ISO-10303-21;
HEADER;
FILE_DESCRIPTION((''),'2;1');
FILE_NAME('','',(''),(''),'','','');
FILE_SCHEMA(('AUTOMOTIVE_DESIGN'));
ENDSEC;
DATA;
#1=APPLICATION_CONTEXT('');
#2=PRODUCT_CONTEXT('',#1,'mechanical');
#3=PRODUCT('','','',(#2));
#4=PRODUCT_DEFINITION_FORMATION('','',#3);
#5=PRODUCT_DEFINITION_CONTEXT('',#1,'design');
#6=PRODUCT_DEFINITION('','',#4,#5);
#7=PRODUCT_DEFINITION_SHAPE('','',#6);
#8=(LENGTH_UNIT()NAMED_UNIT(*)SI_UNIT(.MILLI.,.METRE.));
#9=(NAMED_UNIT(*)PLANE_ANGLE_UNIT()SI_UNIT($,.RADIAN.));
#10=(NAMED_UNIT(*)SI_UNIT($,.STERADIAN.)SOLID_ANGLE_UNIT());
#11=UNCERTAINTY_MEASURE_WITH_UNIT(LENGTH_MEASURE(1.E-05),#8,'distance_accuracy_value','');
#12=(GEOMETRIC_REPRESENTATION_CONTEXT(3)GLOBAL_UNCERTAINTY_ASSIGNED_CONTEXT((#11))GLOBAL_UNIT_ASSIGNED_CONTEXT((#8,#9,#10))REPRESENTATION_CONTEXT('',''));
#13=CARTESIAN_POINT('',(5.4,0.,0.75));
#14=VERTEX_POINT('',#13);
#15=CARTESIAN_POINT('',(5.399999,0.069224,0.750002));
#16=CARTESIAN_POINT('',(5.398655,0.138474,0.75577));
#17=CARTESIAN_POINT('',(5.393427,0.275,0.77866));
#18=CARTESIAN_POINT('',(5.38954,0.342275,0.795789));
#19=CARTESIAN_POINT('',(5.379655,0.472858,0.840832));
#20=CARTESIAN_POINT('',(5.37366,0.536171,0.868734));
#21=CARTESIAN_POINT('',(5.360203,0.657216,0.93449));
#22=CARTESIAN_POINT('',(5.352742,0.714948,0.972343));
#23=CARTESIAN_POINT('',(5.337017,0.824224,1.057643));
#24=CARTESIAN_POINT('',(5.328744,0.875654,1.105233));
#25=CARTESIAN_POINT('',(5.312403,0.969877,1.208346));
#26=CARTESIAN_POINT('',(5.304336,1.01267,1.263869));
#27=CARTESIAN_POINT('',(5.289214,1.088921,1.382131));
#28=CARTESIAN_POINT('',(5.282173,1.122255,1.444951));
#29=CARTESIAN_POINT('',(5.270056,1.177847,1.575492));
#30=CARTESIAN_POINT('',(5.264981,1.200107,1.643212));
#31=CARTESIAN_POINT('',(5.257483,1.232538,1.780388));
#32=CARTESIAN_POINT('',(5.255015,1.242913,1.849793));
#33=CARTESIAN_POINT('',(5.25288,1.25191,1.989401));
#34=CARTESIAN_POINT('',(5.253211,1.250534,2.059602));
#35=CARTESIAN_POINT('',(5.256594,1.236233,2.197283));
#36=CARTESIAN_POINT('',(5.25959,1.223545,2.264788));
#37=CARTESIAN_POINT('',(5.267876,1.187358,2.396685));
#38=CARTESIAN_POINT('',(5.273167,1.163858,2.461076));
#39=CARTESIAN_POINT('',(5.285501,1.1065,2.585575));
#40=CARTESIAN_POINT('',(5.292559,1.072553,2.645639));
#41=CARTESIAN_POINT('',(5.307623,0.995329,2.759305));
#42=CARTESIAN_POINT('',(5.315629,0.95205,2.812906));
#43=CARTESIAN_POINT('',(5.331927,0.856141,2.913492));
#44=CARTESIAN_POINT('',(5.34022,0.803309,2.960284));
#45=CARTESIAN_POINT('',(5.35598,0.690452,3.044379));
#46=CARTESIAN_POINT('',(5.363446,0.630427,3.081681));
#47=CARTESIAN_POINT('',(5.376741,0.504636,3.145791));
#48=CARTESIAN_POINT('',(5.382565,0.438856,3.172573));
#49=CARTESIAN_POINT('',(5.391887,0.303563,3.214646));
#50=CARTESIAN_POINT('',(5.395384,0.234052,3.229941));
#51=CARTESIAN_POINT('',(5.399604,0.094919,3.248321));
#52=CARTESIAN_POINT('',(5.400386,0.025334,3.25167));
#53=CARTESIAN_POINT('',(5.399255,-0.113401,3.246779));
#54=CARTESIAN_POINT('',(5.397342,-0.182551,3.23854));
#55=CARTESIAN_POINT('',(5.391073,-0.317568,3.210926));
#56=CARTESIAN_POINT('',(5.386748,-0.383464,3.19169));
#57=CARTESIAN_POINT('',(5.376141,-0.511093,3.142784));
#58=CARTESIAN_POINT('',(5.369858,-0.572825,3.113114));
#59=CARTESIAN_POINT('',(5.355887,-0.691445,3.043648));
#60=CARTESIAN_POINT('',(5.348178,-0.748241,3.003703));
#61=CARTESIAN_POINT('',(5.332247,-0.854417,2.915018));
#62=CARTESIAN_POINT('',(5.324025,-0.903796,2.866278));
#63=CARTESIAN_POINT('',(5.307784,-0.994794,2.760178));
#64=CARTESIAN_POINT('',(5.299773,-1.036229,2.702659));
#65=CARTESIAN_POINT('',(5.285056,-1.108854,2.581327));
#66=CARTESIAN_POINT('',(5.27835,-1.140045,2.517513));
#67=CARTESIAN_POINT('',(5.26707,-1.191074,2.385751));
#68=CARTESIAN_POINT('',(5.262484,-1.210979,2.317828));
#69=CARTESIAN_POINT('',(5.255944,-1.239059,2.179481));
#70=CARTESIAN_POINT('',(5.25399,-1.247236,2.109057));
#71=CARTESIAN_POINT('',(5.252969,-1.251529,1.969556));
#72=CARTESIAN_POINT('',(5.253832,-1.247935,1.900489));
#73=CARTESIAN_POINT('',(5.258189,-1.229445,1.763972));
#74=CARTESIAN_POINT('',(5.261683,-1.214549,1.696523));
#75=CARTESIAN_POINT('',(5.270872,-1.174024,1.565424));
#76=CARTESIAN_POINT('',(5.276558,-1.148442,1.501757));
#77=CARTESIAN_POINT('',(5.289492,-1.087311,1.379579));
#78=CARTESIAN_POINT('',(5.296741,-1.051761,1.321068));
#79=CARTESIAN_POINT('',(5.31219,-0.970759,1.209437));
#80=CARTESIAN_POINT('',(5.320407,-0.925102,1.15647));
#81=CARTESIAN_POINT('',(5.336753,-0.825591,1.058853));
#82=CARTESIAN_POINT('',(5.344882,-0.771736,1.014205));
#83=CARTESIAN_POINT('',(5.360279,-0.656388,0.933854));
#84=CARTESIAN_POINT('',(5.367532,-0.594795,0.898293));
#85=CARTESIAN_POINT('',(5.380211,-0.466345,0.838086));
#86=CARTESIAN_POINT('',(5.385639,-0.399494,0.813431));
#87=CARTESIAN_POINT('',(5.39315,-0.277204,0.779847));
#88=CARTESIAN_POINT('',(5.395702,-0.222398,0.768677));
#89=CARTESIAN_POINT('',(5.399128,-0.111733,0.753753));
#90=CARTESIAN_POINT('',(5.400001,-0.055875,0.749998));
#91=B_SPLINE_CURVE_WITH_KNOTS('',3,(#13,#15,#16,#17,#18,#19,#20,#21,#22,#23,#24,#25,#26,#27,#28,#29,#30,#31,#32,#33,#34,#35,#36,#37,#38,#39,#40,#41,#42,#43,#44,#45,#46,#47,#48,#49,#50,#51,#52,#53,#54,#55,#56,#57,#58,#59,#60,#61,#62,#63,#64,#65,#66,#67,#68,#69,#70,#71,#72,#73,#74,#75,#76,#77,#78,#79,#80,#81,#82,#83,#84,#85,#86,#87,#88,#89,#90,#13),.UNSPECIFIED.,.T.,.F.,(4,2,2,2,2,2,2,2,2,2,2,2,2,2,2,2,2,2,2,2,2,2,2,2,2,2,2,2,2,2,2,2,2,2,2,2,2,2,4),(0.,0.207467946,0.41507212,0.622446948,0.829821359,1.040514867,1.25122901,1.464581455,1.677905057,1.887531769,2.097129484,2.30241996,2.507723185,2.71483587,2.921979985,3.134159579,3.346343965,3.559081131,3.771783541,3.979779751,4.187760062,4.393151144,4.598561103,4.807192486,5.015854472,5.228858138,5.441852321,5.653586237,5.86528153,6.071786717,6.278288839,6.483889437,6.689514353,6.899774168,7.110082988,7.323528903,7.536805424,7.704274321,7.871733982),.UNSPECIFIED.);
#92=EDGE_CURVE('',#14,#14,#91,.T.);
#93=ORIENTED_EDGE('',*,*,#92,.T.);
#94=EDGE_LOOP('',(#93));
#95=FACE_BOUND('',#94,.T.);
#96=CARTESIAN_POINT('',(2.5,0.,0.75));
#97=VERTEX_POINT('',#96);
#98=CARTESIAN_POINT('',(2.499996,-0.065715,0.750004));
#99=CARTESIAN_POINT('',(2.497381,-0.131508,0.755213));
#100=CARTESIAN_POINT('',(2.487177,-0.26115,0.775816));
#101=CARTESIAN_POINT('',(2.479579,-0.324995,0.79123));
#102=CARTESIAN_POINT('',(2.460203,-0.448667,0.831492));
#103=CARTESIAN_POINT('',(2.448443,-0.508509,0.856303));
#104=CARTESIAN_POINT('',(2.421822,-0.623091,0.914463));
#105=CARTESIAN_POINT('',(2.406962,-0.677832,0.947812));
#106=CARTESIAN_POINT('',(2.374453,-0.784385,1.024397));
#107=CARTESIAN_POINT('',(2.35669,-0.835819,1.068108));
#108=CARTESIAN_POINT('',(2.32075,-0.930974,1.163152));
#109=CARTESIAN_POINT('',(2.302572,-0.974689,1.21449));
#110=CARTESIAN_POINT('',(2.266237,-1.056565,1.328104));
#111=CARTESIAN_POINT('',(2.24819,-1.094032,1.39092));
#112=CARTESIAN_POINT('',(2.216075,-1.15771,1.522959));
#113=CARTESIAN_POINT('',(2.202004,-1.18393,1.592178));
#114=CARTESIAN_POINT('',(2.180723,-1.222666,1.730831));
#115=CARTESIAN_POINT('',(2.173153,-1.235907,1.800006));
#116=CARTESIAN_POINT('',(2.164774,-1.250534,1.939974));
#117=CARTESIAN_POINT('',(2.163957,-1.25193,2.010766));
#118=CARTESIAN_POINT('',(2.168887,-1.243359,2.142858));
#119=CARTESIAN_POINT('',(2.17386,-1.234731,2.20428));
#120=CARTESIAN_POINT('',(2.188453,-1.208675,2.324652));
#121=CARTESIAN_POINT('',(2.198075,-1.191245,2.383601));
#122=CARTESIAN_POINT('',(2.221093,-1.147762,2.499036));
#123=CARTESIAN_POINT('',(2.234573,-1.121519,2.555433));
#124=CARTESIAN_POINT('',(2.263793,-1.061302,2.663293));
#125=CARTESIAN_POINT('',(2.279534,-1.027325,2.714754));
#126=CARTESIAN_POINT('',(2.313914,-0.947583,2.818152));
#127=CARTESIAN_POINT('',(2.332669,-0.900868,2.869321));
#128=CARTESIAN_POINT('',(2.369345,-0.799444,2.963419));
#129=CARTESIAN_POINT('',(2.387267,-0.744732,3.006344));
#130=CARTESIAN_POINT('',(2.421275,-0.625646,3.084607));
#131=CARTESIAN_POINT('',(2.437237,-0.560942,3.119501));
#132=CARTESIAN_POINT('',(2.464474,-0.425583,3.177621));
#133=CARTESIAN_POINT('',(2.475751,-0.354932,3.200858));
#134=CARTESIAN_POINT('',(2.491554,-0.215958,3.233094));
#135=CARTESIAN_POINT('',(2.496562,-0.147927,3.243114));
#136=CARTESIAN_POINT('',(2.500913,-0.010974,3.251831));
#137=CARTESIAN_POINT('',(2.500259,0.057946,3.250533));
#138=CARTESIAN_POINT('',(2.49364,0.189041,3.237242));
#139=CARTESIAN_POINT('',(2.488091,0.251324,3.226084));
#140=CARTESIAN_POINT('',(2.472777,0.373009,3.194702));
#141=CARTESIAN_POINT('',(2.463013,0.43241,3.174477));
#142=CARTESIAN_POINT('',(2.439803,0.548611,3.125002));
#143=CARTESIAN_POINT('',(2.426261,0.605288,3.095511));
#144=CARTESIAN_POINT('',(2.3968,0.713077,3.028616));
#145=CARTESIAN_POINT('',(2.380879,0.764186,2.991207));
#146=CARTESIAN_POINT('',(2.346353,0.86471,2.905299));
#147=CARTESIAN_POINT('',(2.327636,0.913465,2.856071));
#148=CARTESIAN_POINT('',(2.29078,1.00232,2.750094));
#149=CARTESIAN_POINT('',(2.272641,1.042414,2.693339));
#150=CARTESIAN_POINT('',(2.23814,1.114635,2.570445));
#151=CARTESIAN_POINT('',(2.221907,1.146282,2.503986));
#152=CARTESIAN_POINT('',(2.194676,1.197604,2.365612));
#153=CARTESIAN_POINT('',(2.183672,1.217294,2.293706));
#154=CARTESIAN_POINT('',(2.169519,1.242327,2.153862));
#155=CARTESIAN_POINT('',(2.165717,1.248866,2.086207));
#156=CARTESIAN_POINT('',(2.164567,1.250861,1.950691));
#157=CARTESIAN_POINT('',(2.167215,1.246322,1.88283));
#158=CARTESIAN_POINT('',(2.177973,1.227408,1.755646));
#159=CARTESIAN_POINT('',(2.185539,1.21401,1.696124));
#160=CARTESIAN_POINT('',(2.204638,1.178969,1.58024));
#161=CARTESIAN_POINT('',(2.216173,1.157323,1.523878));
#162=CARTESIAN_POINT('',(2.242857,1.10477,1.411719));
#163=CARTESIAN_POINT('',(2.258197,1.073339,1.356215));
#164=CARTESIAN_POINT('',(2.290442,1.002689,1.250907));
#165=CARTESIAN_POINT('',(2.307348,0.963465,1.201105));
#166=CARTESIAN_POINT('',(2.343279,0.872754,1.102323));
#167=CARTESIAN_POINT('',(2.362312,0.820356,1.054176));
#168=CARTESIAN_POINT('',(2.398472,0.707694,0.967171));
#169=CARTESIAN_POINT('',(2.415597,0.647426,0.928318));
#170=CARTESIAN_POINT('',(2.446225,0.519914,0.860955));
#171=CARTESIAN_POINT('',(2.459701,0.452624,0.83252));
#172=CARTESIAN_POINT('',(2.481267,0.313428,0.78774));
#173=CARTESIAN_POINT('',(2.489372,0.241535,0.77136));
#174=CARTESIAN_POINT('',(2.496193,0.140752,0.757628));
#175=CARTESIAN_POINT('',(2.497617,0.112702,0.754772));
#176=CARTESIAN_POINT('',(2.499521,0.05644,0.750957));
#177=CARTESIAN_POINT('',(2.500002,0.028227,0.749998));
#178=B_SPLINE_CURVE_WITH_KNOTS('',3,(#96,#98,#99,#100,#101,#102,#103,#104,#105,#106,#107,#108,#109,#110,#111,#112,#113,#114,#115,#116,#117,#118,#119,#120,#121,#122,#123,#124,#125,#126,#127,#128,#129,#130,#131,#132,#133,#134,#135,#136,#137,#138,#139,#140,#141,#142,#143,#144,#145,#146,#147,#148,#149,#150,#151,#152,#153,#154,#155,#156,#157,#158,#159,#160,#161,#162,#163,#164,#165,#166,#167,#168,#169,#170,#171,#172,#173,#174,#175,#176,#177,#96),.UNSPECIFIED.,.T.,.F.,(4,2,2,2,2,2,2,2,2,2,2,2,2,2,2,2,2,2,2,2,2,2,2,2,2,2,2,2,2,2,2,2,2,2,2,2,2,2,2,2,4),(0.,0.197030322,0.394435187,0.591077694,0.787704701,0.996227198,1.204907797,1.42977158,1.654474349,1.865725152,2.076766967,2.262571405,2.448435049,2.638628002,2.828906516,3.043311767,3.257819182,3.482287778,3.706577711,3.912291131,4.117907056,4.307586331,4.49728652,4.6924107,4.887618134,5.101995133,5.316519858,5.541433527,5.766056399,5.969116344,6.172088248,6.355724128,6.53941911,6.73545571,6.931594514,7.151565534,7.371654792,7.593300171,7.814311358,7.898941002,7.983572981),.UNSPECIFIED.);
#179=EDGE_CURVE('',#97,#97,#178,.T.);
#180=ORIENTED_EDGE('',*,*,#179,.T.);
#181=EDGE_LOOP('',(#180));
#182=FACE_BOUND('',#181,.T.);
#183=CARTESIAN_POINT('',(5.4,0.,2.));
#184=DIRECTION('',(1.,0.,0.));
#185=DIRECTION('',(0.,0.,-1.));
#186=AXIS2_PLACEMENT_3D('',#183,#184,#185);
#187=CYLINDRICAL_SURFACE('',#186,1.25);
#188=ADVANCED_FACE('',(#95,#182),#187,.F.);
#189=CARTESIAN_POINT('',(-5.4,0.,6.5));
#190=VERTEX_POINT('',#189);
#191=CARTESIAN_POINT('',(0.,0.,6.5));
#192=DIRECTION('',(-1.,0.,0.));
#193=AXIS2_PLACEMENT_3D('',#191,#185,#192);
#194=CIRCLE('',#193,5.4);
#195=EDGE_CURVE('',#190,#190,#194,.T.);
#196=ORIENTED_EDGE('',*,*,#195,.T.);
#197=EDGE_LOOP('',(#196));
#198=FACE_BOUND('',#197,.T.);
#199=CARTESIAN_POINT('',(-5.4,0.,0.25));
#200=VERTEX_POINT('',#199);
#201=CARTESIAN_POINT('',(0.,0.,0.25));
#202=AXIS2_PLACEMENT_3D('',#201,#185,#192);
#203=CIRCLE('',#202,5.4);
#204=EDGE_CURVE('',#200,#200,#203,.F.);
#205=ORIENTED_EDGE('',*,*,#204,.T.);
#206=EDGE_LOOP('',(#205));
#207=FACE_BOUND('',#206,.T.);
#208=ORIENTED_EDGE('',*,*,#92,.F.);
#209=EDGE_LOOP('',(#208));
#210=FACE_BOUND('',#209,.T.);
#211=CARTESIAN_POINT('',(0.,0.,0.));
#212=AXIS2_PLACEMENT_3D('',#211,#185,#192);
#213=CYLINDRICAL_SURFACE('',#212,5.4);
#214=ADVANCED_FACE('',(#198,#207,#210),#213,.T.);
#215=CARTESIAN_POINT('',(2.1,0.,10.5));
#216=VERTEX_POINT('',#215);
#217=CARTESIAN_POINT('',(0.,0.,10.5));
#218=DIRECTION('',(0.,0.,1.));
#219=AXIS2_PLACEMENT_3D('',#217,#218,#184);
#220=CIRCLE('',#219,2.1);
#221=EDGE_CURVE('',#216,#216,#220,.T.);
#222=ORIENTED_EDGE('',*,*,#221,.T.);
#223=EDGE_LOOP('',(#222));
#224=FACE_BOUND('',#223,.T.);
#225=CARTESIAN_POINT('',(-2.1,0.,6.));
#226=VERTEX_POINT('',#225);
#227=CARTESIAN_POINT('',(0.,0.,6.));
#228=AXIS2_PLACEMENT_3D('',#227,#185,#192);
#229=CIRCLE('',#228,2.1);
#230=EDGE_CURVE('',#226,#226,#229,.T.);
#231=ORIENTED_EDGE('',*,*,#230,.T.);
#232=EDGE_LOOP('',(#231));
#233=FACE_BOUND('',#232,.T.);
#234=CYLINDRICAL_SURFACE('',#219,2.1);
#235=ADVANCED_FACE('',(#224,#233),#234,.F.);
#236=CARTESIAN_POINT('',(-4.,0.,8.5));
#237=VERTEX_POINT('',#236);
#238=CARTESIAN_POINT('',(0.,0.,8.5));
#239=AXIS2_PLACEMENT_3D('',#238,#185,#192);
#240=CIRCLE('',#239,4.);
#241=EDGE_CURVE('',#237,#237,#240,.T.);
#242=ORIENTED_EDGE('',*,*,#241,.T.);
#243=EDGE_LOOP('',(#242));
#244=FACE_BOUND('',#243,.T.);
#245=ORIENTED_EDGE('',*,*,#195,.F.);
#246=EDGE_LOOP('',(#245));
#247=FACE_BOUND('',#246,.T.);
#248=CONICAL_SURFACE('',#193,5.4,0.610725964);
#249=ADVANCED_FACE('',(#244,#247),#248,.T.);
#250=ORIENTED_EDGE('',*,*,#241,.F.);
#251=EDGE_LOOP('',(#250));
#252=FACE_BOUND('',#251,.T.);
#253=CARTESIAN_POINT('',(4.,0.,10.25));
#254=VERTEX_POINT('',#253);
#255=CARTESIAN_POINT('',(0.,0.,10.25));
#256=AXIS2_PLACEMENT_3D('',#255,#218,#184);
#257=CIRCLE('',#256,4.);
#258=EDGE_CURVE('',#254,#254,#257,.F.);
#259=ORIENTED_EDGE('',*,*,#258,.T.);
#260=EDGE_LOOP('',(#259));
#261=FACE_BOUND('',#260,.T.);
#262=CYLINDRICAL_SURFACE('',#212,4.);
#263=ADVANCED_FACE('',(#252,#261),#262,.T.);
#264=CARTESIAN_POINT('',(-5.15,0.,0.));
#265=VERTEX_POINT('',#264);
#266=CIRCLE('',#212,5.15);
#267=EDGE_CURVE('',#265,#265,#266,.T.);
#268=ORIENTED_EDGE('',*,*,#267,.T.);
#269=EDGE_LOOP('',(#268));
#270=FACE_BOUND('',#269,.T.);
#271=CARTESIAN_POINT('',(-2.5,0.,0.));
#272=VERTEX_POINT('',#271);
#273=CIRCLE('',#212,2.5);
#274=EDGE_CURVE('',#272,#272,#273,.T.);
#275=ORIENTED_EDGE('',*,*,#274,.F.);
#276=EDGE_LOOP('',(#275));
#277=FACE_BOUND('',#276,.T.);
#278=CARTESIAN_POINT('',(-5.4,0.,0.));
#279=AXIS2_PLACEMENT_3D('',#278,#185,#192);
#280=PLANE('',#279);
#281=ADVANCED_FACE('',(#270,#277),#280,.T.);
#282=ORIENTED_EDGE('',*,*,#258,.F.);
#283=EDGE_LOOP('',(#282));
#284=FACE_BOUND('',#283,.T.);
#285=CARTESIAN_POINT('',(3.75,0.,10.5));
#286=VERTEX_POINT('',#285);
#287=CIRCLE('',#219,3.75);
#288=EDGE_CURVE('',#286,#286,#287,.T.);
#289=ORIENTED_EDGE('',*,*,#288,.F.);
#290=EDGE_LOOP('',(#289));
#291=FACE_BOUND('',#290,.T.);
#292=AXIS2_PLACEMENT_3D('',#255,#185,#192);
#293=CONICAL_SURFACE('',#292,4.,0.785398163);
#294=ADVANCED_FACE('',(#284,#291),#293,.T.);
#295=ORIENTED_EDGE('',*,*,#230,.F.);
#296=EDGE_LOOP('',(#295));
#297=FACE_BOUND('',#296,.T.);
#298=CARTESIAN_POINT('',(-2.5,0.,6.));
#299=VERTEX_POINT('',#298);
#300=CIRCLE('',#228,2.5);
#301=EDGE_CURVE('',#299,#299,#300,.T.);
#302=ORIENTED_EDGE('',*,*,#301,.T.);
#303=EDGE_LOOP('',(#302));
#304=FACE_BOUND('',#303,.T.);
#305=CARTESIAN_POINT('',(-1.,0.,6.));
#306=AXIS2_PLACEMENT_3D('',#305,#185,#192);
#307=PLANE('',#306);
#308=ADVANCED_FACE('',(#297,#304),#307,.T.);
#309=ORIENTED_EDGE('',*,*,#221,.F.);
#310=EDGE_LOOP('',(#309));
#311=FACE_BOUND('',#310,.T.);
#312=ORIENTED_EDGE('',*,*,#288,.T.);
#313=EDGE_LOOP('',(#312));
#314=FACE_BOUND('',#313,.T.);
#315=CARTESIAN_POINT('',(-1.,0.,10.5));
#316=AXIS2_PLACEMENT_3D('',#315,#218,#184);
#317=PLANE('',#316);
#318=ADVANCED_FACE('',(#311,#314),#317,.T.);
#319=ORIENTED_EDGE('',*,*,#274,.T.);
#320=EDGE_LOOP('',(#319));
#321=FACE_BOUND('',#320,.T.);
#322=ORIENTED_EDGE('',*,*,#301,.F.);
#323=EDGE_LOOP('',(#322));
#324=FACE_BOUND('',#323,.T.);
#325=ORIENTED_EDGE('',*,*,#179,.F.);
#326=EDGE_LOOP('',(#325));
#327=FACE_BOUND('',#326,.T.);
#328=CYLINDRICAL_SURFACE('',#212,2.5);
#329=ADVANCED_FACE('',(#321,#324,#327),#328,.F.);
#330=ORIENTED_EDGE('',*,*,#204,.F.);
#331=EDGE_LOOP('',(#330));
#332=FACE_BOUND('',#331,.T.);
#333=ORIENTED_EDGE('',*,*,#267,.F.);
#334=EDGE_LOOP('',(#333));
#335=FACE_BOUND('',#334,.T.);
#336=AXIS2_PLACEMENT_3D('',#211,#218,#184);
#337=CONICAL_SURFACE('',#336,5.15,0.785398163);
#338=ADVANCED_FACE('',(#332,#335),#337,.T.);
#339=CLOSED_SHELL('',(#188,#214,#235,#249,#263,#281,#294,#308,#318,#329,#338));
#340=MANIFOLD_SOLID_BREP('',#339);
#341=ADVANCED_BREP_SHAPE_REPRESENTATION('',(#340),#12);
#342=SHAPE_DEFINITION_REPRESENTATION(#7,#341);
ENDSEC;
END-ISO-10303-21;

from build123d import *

# Parameters (mm, degrees)
CONNECTOR_M5X0_8_TAPPED_HOLE_D        = 4.2
CONNECTOR_M5X0_8_TAPPED_HOLE_DEPTH    = 7.4
CONNECTOR_M5X0_8_TAPPED_HOLE_TIP      = 1.2618073
SET_SCREW_1_M3X0_5_TAPPED_HOLE_REACH  = 16.767
SET_SCREW_1_M3X0_5_TAPPED_HOLE_BORE_R = 1.25
EDGE_CHAMFERS_SIZE                    = 0.25


with BuildPart() as part:
    # Body Sketch → Body Revolve (revolve)
    with BuildSketch(Plane(origin=(0, 0, 0), x_dir=(-1, 0, 0), z_dir=(0, 1, 0))):
        Polygon((1, 10.5), (4, 10.5), (4, 8.5), (5.4, 6.5), (5.4, 0), (2.5, 0), (2.5, 6), (1, 6), align=None)
    revolve(axis=Axis((0, 0, 0), (0, 0, 1)))

    # Connector M5x0.8 Tapped Hole
    with Locations(Plane.XY.offset(10.5)):
        with Locations((0, 0)):
            Hole(CONNECTOR_M5X0_8_TAPPED_HOLE_D / 2, depth=CONNECTOR_M5X0_8_TAPPED_HOLE_DEPTH)
            with Locations((0, 0, -(CONNECTOR_M5X0_8_TAPPED_HOLE_DEPTH + CONNECTOR_M5X0_8_TAPPED_HOLE_TIP / 2))):  # 118° drill point
                Cone(0, CONNECTOR_M5X0_8_TAPPED_HOLE_D / 2, CONNECTOR_M5X0_8_TAPPED_HOLE_TIP, mode=Mode.SUBTRACT)

    # Set Screw 1 M3x0.5 Tapped Hole bore (on position points) → Set Screw 1 M3x0.5 Tapped Hole (cut, up to next)
    with BuildSketch(Plane(origin=(5.4, 0, 2), x_dir=(0, 1, 0), z_dir=(1, 0, 0)), mode=Mode.PRIVATE) as set_screw_1_m3x0_5_tapped_hole_sk1:
        Circle(SET_SCREW_1_M3X0_5_TAPPED_HOLE_BORE_R)
    set_screw_1_m3x0_5_tapped_hole_tool1 = extrude(set_screw_1_m3x0_5_tapped_hole_sk1.sketch, amount=-SET_SCREW_1_M3X0_5_TAPPED_HOLE_REACH, mode=Mode.PRIVATE) & part.part
    add(set_screw_1_m3x0_5_tapped_hole_tool1.solids().sort_by_distance((5.4, 0, 2))[0], mode=Mode.SUBTRACT)

    # Edge Chamfers
    edge_chamfers_edges = [part.edges().sort_by_distance(p)[0] for p in [
        (5.4, 0, 0),
        (4, 0, 10.5),
    ]]
    chamfer(edge_chamfers_edges, length=EDGE_CHAMFERS_SIZE)


solid = part.part
